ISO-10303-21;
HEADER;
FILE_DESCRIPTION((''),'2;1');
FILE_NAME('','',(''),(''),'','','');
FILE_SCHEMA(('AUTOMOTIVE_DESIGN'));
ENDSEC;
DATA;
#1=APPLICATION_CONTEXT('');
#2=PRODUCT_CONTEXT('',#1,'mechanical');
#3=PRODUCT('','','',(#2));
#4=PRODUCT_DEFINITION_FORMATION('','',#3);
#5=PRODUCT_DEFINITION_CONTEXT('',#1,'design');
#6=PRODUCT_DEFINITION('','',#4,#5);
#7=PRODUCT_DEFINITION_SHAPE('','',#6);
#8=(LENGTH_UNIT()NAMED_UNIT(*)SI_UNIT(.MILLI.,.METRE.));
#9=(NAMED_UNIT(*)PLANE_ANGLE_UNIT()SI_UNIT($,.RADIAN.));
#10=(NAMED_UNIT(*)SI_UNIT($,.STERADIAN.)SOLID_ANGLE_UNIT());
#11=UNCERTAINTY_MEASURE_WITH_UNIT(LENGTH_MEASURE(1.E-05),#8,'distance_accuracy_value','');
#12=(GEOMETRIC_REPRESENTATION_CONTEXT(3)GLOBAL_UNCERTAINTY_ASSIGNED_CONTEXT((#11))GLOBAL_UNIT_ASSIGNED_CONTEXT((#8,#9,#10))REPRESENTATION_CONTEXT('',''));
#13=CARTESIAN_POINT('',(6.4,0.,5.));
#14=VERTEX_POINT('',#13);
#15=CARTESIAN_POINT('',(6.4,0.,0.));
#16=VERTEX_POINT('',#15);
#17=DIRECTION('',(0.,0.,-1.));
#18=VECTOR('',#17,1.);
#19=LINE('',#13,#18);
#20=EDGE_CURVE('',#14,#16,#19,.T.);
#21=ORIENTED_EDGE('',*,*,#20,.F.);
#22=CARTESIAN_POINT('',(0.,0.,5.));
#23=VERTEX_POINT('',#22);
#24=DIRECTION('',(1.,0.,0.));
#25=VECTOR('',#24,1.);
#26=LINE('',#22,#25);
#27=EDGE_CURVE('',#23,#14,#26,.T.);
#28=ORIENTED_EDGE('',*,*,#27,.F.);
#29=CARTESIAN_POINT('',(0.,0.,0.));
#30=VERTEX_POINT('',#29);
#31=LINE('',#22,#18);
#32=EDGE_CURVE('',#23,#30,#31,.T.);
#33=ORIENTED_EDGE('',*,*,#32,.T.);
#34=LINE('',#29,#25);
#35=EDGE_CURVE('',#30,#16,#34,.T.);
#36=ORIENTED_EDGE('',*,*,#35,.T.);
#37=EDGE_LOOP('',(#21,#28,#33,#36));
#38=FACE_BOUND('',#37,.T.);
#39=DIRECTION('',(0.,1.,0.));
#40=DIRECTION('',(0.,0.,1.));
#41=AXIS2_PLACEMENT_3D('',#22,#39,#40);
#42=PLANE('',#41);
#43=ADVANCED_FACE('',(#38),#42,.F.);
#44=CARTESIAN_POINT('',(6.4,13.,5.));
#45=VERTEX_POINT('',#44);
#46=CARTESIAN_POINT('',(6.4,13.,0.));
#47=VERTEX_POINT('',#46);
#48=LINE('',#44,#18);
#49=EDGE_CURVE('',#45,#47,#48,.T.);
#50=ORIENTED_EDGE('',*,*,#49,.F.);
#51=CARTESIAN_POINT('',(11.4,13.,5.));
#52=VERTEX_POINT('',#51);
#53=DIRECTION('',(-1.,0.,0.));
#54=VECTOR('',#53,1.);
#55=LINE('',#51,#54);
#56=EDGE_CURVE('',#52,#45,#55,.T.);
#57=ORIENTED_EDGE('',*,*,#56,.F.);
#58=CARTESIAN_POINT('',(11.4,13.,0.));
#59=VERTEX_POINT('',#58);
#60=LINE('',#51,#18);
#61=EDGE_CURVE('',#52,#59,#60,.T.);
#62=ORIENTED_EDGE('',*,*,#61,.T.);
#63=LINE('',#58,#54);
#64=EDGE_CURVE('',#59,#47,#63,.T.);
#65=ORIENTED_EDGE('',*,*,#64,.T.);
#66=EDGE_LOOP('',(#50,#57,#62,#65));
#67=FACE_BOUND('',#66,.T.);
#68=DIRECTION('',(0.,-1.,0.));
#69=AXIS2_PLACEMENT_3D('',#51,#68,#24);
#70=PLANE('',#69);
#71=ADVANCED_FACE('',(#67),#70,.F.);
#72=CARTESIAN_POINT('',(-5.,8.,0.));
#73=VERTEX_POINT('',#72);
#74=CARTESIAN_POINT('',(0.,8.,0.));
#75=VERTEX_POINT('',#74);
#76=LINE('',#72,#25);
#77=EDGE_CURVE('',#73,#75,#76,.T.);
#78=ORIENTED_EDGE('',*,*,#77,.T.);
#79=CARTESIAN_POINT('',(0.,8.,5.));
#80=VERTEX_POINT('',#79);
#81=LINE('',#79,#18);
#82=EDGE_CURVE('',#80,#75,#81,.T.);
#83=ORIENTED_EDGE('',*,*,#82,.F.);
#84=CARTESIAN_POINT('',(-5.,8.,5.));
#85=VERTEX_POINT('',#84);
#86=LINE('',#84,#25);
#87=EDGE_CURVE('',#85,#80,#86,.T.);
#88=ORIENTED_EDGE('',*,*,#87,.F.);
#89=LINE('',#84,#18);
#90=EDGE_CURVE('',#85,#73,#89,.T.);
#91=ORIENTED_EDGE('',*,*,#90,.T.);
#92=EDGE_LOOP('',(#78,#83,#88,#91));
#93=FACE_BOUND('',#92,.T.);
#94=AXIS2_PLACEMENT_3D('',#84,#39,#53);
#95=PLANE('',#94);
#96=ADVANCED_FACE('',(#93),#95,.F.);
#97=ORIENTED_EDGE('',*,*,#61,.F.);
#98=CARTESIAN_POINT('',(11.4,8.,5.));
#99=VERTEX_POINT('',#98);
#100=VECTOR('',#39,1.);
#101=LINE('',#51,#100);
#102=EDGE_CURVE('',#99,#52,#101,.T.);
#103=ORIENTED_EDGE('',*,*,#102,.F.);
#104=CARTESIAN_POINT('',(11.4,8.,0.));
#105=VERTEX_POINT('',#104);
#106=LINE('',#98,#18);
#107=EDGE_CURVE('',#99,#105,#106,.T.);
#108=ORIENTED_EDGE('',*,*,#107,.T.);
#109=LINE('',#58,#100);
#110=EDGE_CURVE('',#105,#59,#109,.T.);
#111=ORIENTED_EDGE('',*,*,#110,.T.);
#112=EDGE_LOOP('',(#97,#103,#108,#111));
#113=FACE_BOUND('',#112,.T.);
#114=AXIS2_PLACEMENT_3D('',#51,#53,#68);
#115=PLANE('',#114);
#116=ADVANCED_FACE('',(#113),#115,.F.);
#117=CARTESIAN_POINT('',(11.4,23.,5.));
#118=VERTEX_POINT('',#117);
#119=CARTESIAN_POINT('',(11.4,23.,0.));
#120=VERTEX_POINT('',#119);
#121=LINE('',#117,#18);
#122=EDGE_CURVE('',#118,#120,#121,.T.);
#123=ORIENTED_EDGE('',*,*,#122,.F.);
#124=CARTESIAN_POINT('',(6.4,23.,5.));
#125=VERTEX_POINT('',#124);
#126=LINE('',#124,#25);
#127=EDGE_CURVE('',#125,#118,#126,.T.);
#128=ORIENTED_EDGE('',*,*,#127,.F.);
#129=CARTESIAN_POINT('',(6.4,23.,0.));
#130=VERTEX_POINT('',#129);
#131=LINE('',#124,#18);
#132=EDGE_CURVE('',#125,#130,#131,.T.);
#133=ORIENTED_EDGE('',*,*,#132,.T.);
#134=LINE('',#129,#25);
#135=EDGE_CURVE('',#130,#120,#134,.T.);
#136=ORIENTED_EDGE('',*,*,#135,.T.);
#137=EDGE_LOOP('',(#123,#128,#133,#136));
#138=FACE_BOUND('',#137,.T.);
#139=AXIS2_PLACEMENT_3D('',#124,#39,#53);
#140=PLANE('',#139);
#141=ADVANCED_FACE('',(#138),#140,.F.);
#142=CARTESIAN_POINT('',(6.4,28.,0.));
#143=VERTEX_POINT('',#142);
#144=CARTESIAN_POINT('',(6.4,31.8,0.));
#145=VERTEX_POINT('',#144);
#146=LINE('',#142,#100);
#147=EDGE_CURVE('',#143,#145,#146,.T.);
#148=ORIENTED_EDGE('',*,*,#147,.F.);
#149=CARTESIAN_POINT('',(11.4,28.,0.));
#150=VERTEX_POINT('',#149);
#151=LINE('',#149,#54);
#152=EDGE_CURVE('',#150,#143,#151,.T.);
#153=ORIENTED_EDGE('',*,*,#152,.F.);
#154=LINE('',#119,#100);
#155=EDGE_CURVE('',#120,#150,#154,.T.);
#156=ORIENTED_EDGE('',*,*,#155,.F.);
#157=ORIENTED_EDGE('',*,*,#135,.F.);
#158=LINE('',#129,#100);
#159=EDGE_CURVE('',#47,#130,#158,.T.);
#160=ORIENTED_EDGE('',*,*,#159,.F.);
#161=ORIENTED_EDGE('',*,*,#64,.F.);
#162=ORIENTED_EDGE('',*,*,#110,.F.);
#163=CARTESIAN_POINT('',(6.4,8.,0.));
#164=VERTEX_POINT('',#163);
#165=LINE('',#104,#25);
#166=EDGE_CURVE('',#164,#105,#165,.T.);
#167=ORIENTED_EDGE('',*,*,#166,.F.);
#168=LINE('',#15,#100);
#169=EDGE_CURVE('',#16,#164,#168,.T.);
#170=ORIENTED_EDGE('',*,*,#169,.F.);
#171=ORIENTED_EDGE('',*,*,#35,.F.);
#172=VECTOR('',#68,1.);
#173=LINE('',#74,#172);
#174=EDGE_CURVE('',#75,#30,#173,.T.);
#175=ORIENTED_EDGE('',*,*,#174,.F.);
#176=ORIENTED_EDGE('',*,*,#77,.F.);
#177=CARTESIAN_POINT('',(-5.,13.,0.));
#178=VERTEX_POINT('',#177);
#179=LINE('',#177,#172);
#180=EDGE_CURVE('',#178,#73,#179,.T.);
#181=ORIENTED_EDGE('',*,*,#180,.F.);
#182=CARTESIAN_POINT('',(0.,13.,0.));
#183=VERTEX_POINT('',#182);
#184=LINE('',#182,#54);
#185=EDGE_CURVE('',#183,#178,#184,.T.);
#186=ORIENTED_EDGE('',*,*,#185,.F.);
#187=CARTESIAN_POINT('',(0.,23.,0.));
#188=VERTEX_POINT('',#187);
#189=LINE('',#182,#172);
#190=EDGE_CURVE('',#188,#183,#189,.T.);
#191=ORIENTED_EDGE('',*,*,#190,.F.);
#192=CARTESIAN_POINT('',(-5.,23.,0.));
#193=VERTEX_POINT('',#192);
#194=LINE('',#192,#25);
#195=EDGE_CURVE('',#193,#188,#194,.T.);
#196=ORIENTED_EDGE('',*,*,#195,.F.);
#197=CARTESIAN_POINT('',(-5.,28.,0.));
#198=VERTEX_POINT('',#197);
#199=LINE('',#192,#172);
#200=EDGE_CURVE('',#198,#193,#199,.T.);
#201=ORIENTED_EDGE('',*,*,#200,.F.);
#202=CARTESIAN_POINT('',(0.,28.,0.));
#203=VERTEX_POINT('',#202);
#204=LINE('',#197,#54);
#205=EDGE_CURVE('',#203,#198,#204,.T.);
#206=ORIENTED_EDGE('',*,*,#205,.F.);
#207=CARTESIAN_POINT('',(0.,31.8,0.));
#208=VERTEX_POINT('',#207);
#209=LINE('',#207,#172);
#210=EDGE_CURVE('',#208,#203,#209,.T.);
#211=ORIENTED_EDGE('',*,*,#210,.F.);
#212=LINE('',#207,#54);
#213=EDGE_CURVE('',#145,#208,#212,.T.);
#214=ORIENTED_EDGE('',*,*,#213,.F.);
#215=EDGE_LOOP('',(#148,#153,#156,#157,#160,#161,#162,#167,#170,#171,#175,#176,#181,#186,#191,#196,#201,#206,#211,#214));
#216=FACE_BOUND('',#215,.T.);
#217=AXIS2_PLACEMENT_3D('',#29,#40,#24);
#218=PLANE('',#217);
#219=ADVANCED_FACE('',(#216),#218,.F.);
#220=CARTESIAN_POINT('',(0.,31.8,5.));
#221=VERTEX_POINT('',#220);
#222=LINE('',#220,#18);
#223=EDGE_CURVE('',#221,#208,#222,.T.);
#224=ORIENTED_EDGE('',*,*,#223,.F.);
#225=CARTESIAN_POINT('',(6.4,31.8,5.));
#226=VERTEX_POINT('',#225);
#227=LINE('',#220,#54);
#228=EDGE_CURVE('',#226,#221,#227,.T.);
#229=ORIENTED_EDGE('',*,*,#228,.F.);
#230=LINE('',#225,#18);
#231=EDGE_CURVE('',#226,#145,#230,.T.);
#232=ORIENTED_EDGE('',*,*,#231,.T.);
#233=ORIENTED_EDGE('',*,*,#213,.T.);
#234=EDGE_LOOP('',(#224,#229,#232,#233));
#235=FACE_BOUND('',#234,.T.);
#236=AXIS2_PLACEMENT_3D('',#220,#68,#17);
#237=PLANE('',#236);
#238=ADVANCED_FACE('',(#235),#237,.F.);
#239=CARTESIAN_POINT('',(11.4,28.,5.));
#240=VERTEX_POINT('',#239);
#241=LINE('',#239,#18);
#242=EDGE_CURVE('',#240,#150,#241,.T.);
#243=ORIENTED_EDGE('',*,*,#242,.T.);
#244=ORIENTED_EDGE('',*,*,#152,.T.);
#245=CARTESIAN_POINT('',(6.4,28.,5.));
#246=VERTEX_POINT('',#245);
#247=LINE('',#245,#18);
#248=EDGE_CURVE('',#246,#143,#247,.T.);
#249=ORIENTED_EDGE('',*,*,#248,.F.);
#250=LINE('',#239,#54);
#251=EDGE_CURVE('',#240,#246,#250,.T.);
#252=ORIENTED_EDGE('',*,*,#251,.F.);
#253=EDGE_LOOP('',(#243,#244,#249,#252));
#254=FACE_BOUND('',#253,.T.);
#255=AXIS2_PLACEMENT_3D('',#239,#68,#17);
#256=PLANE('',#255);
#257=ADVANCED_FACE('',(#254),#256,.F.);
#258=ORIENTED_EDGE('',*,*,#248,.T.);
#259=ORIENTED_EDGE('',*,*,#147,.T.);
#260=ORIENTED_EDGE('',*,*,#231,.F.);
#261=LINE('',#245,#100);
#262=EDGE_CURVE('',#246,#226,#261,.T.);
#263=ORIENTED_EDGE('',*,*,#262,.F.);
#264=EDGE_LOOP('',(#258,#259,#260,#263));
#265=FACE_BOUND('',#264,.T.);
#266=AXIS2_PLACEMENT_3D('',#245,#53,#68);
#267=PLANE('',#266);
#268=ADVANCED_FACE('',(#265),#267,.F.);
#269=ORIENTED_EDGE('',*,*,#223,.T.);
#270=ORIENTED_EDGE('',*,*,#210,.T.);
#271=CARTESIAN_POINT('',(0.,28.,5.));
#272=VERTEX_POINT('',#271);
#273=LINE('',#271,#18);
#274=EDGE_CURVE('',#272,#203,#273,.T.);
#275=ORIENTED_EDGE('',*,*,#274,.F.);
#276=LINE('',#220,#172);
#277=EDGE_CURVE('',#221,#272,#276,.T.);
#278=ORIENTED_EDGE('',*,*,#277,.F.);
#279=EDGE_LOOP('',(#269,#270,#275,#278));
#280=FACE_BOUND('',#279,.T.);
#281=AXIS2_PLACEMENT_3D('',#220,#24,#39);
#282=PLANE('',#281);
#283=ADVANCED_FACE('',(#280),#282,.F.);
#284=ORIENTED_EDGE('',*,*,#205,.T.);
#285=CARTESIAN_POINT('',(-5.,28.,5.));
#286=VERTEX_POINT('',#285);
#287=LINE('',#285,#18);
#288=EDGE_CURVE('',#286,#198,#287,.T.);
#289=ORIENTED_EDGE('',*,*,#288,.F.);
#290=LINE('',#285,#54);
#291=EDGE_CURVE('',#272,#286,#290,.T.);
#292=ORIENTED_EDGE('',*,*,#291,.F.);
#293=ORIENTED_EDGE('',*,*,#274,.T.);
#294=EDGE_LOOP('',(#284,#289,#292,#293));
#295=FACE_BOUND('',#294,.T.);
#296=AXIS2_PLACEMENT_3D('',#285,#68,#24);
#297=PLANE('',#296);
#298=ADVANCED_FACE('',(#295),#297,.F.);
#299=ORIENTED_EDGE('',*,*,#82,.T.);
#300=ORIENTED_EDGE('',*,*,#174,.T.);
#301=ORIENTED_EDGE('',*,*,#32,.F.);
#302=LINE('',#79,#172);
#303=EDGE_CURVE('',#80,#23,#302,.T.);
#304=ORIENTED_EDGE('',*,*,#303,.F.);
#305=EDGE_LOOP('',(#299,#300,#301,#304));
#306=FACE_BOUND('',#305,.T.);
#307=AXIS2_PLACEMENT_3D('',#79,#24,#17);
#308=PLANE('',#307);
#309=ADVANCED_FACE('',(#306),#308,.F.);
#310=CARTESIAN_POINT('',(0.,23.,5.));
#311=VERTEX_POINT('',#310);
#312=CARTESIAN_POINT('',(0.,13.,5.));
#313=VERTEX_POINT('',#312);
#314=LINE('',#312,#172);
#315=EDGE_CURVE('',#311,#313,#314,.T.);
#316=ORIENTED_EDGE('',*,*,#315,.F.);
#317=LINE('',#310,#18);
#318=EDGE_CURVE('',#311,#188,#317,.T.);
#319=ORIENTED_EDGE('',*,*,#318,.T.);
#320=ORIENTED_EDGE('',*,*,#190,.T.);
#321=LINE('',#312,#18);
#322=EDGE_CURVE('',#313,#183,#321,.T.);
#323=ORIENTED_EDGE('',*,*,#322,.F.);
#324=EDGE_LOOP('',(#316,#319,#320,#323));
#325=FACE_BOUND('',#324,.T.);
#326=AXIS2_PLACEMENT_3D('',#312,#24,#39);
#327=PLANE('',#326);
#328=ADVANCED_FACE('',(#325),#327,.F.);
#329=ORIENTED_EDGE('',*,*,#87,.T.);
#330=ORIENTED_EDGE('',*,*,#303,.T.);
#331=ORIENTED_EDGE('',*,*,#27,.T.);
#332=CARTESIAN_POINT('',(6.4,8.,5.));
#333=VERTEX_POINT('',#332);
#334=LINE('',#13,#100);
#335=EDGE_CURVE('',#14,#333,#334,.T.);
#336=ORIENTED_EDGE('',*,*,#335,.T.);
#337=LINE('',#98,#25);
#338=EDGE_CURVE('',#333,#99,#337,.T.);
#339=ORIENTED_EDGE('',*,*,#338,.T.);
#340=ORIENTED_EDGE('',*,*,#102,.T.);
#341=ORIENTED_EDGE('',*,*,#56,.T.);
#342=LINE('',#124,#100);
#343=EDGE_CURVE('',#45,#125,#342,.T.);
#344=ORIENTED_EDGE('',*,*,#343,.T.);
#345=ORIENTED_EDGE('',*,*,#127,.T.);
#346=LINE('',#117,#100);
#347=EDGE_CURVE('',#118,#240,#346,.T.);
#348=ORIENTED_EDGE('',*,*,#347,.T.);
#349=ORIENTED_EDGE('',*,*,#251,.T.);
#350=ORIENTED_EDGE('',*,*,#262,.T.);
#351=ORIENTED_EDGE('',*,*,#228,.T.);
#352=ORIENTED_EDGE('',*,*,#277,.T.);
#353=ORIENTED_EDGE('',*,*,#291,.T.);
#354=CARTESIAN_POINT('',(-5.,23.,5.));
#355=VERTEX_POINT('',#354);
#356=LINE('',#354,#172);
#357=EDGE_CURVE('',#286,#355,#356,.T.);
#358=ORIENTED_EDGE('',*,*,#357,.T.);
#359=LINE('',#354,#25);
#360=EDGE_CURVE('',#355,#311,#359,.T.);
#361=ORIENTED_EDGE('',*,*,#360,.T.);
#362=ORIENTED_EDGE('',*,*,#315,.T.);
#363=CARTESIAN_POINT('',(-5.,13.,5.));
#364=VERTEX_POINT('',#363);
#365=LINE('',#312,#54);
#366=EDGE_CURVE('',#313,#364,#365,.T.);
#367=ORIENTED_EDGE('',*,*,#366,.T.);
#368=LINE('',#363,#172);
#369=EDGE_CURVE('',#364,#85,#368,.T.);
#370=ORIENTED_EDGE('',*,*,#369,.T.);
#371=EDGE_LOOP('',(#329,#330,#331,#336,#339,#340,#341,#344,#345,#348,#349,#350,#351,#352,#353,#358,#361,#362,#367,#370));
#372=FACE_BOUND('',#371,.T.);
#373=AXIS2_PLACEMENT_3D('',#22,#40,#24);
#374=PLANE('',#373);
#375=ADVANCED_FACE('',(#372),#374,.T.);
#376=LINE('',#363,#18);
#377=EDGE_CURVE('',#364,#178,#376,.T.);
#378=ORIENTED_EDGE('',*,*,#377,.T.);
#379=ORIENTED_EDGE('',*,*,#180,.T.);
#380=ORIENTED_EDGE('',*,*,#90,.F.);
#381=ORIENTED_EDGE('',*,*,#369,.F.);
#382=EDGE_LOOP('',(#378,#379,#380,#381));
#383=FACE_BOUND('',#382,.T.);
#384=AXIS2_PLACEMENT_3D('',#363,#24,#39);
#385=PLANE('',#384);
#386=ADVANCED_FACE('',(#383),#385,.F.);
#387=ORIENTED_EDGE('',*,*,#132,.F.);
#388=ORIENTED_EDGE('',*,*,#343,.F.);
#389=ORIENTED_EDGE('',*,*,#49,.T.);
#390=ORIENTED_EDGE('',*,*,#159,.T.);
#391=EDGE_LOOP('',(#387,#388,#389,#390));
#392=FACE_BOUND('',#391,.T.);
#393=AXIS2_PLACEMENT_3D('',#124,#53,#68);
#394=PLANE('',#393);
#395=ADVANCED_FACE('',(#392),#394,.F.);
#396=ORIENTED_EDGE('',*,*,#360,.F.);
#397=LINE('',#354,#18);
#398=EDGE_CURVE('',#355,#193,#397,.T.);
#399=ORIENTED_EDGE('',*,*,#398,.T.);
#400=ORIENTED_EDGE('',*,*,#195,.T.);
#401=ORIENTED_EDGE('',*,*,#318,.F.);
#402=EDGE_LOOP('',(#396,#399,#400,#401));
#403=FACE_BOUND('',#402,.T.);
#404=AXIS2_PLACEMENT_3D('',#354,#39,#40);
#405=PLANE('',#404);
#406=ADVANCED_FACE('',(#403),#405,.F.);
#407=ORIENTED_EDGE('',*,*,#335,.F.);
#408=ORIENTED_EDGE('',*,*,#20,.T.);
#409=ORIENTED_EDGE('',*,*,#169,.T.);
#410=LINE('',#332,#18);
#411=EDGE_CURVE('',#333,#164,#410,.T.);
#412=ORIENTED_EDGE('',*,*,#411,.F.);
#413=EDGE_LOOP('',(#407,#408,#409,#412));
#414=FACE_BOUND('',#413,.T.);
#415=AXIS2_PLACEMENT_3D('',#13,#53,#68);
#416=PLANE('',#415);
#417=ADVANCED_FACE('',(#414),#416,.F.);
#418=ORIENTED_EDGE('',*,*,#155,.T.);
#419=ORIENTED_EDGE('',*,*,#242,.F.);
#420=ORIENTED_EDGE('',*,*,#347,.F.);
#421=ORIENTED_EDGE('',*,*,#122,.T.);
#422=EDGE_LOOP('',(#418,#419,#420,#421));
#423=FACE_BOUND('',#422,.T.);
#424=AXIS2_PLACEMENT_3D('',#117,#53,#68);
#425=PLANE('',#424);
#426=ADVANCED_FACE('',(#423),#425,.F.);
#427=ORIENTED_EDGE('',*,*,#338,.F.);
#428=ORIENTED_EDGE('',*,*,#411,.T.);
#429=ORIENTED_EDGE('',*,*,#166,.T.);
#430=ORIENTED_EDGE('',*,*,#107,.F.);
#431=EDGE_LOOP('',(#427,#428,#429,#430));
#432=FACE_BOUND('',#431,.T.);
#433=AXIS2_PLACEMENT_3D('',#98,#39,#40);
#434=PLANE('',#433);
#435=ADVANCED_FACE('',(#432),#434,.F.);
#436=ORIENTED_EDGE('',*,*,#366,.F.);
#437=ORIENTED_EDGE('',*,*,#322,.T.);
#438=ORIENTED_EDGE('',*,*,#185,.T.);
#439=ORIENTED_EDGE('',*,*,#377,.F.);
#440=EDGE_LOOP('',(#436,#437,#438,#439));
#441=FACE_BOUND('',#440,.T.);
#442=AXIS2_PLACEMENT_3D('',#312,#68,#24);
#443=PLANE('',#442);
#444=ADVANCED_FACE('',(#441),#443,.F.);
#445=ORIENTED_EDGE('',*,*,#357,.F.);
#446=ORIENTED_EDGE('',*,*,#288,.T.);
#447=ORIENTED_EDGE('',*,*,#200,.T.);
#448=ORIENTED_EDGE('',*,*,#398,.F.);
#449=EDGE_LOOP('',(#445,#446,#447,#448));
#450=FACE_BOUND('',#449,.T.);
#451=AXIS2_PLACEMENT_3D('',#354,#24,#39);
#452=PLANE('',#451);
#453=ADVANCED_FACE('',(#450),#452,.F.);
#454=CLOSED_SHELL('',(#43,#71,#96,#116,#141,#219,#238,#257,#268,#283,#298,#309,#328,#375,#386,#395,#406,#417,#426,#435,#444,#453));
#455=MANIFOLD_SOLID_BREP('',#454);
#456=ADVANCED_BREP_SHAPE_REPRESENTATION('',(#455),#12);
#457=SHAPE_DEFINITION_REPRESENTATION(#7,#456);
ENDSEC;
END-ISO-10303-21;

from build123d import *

# Parameters (mm, degrees)
BOSS_EXTRUDE1_DEPTH = 5


with BuildPart() as part:
    # Sketch1 → Boss-Extrude1 (new body)
    with BuildSketch(Plane.XY):
        Polygon((0, 0), (6.4, 0), (6.4, 8), (11.4, 8), (11.4, 13), (6.4, 13), (6.4, 23), (11.4, 23), (11.4, 28), (6.4, 28), (6.4, 31.8), (0, 31.8), (0, 28), (-5, 28), (-5, 23), (0, 23), (0, 13), (-5, 13), (-5, 8), (0, 8), align=None)
    extrude(amount=BOSS_EXTRUDE1_DEPTH)


solid = part.part
